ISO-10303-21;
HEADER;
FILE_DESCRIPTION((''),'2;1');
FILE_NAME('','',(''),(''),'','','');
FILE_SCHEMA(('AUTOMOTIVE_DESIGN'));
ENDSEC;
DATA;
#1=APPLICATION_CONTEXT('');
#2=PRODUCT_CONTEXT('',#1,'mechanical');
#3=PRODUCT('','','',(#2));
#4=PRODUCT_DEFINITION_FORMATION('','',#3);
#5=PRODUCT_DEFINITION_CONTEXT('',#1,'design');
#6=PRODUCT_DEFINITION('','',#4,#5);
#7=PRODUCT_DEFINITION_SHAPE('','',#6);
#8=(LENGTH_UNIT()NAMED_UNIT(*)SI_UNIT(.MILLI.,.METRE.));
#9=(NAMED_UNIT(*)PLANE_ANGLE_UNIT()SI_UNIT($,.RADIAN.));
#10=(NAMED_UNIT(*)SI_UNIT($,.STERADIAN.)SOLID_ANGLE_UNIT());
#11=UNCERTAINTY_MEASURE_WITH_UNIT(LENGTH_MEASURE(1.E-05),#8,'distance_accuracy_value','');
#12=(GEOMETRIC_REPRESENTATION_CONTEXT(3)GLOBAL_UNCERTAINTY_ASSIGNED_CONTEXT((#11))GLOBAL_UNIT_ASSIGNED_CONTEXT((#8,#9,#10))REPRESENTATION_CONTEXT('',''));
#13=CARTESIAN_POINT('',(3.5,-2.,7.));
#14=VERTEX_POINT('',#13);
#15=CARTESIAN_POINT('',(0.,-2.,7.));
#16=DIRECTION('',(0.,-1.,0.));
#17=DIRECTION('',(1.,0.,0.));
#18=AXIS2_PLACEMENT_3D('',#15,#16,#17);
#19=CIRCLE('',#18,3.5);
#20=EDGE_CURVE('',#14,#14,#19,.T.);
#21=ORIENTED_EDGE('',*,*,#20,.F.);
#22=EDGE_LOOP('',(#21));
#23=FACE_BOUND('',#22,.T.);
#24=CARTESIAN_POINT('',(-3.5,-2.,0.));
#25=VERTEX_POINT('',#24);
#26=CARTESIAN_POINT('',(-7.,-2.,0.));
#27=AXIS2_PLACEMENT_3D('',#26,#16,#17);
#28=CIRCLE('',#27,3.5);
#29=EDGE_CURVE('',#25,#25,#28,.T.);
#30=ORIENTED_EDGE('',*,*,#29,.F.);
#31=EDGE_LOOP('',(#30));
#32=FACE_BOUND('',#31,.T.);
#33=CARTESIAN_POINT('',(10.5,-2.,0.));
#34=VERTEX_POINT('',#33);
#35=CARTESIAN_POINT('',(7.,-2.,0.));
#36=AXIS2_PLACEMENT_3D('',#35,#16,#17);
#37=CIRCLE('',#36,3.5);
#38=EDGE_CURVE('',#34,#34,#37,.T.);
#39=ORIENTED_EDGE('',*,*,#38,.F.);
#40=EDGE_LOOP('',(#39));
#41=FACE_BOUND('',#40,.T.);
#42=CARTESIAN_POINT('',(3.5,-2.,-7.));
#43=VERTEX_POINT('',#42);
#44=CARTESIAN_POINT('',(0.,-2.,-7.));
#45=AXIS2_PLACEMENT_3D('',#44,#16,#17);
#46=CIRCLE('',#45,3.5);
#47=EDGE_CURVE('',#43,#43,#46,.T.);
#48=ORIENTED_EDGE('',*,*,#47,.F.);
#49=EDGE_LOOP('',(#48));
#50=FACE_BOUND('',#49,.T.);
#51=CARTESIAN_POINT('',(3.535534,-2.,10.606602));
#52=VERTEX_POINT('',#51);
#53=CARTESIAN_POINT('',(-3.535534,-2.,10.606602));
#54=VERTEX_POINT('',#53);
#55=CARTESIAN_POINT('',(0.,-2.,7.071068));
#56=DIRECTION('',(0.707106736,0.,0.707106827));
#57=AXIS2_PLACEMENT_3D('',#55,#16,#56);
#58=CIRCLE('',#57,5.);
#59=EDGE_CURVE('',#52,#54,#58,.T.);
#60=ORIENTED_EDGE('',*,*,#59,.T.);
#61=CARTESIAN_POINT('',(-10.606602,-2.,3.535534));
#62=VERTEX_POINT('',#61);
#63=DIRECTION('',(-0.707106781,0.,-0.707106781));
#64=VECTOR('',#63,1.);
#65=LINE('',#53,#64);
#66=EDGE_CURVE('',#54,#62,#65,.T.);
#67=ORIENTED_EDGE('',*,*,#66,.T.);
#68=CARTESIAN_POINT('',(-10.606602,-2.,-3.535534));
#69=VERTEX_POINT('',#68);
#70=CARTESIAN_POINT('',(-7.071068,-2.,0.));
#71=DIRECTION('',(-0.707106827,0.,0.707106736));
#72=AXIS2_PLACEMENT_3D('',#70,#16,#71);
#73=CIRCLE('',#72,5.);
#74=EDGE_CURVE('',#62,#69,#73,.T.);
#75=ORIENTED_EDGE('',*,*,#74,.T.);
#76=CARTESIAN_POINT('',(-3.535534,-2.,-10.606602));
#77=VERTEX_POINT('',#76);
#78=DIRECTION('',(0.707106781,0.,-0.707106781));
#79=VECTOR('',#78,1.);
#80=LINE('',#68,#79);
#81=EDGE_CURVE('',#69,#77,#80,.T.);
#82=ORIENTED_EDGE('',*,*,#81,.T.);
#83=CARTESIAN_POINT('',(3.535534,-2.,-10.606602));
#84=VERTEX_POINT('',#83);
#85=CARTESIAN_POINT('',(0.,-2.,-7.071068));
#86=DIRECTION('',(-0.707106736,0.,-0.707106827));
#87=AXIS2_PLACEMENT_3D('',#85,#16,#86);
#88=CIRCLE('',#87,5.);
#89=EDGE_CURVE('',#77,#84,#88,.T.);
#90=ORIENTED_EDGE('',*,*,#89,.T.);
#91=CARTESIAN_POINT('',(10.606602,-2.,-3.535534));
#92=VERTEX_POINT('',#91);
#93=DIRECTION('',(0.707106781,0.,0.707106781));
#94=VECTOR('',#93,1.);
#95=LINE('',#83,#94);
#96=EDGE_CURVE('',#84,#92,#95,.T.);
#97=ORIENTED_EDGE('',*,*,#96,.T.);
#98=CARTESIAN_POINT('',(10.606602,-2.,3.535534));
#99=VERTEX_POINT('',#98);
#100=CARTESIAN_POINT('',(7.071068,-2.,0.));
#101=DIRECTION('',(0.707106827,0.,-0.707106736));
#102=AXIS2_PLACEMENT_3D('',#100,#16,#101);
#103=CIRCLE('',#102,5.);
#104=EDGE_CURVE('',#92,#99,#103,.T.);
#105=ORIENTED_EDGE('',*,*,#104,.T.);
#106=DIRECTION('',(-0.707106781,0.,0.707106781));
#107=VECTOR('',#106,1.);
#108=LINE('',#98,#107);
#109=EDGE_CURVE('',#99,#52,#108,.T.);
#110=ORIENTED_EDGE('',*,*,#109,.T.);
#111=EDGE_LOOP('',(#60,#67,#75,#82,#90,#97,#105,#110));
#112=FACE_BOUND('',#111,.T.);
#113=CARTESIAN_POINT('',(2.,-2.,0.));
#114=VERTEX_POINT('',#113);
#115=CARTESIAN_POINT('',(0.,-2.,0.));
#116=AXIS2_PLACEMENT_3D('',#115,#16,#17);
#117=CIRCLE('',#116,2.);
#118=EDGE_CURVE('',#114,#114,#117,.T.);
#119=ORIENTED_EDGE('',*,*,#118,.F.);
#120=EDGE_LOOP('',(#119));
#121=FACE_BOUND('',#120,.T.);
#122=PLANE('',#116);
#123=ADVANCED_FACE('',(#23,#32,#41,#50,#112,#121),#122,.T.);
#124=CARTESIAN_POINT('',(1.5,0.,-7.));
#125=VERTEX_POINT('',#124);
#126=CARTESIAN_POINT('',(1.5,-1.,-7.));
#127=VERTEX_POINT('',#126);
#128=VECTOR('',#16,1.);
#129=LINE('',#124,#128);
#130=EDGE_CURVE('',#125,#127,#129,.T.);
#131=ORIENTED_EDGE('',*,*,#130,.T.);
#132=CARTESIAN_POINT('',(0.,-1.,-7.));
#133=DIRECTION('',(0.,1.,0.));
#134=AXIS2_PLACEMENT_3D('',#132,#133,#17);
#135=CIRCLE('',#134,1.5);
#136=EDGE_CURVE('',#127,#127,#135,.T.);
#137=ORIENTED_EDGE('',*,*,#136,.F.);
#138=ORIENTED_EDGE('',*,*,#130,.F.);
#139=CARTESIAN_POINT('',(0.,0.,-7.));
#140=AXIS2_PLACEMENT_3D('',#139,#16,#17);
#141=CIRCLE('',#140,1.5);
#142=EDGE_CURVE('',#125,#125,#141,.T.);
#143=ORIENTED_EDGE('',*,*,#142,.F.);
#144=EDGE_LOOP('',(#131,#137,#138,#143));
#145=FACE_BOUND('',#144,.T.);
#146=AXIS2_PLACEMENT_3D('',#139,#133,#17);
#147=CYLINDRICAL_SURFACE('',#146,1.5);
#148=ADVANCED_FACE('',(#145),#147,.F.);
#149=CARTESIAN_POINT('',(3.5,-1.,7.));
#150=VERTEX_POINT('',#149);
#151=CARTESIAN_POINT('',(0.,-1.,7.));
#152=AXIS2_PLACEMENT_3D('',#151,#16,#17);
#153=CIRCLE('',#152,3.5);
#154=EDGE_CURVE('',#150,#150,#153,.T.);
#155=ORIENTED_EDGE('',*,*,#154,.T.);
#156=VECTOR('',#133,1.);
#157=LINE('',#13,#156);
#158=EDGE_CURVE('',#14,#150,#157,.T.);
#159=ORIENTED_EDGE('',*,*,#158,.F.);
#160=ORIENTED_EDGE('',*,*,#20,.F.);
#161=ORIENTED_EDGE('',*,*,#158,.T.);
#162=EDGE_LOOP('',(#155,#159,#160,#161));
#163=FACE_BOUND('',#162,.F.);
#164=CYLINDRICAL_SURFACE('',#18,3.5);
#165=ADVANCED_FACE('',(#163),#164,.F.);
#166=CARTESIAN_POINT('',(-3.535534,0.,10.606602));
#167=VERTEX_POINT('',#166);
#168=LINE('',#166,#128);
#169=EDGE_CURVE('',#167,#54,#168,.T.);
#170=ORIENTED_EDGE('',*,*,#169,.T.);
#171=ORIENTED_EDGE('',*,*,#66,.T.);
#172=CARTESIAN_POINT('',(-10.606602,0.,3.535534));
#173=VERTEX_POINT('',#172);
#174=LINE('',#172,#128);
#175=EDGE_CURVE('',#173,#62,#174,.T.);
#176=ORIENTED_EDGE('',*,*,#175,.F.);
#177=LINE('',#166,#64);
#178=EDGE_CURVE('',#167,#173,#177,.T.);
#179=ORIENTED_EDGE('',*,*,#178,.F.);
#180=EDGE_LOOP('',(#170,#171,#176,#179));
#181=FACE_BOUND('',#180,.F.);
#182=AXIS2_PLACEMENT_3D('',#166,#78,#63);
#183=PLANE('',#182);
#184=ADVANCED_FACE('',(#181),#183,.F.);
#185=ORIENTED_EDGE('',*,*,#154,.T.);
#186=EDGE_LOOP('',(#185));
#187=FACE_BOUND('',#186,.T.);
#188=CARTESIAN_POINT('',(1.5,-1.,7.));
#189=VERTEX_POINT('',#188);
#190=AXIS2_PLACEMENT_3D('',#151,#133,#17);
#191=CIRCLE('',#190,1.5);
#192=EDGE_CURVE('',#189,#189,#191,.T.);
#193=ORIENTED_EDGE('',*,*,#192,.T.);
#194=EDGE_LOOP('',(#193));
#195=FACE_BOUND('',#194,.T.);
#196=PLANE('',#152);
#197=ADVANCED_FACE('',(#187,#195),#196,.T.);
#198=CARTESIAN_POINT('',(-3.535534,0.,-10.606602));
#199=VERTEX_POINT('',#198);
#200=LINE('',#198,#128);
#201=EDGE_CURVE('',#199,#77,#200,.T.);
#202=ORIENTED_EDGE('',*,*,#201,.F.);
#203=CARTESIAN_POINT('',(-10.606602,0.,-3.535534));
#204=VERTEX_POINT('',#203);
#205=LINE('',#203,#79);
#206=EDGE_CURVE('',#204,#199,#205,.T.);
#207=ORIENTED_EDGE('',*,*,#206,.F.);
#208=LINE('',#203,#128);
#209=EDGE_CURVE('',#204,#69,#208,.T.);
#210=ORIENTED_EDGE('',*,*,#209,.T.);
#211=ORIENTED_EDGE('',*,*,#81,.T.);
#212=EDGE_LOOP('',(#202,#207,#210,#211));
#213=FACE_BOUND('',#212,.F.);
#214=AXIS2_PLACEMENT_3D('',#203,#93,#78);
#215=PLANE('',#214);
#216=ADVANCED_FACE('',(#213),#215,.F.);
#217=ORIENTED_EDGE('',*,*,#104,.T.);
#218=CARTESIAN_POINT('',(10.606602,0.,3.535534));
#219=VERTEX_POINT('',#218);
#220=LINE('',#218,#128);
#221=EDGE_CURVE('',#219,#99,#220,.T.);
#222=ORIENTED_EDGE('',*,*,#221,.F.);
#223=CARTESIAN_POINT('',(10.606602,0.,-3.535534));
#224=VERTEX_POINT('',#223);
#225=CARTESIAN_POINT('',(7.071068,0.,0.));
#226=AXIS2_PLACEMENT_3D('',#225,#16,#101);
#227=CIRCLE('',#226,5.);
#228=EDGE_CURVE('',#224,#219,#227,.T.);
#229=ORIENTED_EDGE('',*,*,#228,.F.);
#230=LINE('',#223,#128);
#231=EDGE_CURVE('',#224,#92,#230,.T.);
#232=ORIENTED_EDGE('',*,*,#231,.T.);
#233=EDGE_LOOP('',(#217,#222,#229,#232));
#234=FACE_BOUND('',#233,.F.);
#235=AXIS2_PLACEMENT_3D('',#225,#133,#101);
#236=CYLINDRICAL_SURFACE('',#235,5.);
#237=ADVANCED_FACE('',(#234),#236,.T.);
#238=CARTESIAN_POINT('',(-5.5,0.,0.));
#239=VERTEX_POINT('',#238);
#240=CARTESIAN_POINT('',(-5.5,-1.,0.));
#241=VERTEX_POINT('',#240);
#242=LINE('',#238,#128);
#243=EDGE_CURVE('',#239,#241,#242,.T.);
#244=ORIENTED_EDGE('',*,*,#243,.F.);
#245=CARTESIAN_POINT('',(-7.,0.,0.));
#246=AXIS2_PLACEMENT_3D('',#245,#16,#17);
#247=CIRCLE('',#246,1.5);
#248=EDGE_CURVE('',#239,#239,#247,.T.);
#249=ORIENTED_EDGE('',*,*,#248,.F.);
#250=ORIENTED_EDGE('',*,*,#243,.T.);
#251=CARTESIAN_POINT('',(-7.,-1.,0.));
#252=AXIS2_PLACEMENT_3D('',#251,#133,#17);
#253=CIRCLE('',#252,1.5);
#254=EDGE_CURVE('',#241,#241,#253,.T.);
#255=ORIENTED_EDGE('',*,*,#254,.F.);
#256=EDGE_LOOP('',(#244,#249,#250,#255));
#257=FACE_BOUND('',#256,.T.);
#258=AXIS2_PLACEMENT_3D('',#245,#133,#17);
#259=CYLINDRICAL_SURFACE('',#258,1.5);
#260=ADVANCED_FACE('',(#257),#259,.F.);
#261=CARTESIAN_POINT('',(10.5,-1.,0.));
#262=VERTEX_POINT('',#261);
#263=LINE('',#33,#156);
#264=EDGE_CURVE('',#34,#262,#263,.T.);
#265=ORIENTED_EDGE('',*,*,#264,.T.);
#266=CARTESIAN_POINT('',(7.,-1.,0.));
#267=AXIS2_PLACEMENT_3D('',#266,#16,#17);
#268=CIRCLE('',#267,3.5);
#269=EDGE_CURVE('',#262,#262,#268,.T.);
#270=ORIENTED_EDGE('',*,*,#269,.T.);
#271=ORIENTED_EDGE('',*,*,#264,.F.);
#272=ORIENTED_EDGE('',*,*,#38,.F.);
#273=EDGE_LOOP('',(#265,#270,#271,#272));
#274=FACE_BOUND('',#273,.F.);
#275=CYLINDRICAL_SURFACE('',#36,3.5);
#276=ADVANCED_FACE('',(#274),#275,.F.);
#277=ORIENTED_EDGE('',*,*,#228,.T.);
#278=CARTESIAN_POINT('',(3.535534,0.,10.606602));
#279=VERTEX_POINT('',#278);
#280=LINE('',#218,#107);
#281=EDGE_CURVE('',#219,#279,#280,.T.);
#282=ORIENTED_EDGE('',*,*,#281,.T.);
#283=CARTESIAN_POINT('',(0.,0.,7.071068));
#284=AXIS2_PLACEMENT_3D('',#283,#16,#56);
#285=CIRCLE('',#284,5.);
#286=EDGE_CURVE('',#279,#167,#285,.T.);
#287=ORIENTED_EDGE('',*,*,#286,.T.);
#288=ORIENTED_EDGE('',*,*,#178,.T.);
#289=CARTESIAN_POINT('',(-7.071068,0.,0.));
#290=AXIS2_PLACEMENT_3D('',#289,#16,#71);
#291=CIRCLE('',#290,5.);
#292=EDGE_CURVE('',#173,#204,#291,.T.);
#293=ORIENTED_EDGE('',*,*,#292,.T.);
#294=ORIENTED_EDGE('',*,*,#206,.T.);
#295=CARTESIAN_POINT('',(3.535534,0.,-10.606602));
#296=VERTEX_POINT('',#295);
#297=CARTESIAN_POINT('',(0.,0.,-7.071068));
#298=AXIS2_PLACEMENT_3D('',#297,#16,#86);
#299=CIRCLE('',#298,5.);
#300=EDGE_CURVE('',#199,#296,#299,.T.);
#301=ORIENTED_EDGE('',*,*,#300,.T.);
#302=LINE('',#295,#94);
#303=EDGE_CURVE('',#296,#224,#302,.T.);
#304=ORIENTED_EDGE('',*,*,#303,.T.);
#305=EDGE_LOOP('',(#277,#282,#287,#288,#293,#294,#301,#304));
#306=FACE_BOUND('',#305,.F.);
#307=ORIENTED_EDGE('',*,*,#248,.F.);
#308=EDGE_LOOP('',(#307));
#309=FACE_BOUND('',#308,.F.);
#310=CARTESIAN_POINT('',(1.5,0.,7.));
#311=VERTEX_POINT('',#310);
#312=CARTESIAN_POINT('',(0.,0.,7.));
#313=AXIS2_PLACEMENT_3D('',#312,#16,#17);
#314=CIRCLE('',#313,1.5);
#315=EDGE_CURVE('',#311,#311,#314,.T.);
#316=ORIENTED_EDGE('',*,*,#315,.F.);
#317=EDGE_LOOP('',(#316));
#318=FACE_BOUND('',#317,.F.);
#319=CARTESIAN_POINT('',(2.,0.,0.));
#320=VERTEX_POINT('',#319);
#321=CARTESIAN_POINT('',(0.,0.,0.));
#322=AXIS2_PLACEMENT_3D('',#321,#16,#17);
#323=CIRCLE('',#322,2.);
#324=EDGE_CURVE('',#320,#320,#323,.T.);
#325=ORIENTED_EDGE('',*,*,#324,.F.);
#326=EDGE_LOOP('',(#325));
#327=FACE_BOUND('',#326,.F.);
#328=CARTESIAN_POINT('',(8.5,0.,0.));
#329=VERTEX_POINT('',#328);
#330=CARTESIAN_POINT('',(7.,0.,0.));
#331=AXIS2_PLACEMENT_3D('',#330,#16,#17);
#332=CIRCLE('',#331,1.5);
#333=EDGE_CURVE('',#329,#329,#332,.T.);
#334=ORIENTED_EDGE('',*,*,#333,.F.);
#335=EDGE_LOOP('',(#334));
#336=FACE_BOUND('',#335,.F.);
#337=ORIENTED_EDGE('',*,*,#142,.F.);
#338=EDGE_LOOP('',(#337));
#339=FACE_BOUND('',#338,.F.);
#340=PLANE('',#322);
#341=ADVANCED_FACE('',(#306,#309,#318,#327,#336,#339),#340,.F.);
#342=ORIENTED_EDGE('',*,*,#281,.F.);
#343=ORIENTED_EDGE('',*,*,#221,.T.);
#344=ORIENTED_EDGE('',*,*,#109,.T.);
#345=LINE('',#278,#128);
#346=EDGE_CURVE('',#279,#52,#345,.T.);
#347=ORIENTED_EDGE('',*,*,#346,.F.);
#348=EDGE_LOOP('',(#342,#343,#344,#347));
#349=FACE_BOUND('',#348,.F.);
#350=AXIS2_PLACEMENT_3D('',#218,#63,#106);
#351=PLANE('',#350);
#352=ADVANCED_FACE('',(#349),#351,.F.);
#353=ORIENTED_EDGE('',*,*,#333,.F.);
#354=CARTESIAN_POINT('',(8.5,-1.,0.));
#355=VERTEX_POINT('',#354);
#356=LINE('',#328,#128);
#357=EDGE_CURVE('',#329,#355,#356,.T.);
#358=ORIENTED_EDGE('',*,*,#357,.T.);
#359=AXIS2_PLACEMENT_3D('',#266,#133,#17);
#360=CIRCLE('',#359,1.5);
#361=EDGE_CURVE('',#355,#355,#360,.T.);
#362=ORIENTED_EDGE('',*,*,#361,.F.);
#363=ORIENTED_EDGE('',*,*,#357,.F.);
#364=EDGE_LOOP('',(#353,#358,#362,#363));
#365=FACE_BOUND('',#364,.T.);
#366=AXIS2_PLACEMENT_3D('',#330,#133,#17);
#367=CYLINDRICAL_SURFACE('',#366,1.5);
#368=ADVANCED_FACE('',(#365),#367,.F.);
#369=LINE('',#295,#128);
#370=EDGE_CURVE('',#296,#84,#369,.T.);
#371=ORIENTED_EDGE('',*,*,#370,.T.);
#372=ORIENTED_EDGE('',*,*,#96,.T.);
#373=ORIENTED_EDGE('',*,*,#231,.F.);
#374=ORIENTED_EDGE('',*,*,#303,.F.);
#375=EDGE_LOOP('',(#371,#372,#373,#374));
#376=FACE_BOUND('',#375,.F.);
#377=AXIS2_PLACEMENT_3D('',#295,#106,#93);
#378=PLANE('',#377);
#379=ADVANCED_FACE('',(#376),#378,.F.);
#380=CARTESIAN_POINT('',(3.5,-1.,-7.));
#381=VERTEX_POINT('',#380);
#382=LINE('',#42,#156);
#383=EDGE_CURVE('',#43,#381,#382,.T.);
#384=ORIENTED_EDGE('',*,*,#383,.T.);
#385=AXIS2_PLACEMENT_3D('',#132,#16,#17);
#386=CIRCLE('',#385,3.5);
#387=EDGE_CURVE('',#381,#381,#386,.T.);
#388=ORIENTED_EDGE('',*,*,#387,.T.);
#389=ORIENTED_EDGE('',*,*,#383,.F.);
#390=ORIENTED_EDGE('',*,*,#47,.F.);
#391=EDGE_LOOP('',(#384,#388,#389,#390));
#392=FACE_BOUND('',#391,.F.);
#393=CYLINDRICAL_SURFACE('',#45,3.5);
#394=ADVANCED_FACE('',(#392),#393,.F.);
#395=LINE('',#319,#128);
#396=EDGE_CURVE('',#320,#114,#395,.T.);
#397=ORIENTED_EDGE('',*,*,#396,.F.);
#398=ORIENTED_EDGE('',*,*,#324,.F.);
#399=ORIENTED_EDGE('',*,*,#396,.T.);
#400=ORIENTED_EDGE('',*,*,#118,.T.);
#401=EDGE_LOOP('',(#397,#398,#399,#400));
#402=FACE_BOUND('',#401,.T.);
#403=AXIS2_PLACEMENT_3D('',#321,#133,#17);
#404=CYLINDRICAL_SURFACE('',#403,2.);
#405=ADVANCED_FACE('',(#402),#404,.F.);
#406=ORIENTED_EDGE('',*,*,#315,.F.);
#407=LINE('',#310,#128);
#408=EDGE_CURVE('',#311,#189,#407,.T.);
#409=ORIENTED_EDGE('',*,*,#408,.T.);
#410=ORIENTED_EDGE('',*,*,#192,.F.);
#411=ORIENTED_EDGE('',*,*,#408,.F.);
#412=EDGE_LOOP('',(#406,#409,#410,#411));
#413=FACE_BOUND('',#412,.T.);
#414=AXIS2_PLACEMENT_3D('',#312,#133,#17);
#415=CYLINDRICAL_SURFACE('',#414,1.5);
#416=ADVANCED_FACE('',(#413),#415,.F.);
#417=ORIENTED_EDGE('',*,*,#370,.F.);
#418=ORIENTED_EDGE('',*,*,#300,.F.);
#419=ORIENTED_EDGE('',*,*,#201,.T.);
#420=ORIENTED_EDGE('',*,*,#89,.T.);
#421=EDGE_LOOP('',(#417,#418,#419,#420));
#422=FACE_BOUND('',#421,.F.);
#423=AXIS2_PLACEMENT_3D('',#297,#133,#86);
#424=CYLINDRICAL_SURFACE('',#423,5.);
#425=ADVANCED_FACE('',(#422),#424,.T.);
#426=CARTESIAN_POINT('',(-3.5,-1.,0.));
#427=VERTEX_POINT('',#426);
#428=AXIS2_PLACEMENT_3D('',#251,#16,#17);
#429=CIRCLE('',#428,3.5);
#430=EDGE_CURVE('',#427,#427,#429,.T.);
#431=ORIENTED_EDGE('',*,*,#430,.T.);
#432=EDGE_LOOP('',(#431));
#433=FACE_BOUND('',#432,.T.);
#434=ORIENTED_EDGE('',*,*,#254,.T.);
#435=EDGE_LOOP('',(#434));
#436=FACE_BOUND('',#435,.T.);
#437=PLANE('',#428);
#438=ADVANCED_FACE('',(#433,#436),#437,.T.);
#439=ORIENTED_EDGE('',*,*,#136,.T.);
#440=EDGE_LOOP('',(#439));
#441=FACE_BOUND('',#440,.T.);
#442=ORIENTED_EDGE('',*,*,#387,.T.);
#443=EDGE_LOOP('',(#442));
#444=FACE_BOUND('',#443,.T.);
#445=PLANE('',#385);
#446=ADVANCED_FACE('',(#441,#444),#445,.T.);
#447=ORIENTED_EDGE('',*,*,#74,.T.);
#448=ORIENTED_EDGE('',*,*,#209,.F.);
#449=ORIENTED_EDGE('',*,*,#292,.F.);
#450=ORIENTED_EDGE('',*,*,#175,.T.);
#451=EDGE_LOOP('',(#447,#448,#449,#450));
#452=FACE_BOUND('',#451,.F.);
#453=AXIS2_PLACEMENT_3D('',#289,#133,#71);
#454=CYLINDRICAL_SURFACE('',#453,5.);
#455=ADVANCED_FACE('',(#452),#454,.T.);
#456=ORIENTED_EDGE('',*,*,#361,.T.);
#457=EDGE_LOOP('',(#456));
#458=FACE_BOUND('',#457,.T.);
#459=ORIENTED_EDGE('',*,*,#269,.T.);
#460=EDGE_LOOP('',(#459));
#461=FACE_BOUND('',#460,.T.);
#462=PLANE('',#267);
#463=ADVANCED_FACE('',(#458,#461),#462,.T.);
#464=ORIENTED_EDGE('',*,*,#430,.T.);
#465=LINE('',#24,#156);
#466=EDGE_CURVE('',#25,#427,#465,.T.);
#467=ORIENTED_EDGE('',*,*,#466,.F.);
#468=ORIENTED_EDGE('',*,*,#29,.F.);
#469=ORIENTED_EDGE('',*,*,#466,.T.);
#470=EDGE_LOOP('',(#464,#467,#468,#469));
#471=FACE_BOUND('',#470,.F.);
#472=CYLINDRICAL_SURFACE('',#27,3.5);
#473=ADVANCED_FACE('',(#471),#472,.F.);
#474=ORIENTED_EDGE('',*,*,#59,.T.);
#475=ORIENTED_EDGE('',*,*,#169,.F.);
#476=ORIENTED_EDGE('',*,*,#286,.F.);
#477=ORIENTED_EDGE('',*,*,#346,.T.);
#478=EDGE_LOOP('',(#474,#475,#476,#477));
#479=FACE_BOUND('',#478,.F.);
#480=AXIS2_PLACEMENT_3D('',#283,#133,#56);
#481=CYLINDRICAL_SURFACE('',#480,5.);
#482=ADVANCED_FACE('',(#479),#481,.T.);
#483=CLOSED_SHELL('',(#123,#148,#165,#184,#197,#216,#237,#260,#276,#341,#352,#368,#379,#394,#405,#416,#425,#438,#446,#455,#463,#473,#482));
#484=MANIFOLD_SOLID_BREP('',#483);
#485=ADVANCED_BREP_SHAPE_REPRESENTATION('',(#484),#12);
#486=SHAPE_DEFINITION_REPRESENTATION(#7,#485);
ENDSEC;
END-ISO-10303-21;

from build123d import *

# Parameters (mm, degrees)
F0_R     = 1.5
F0_R_2   = 2
F1_DEPTH = 2
F2_R     = 3.5
F3_DEPTH = 1


with BuildPart() as f1:
    # F0 (on Front) → F1 (new body)
    with BuildSketch(Plane.XZ):
        with BuildLine():
            Line((-10.606602, -3.535534), (-3.535534, -10.606602))
            ThreePointArc((-3.535534, -10.606602), (0, -12.071068), (3.535534, -10.606602))
            Line((3.535534, -10.606602), (10.606602, -3.535534))
            ThreePointArc((10.606602, -3.535534), (12.071068, 0), (10.606602, 3.535534))
            Line((10.606602, 3.535534), (3.535534, 10.606602))
            ThreePointArc((3.535534, 10.606602), (0, 12.071068), (-3.535534, 10.606602))
            Line((-3.535534, 10.606602), (-10.606602, 3.535534))
            ThreePointArc((-10.606602, 3.535534), (-12.071068, 0), (-10.606602, -3.535534))
        make_face()
        with Locations((-7, 0)):
            Circle(F0_R, mode=Mode.SUBTRACT)
        with Locations((0, -7)):
            Circle(F0_R, mode=Mode.SUBTRACT)
        Circle(F0_R_2, mode=Mode.SUBTRACT)
        with Locations((7, 0)):
            Circle(F0_R, mode=Mode.SUBTRACT)
        with Locations((0, 7)):
            Circle(F0_R, mode=Mode.SUBTRACT)
    extrude(amount=F1_DEPTH)

    # F2 (on face) → F3 (cut)
    with BuildSketch(Plane.XZ.offset(2)):
        with Locations((-7, 0)):
            Circle(F2_R)
        with Locations((0, -7)):
            Circle(F2_R)
        with Locations((7, 0)):
            Circle(F2_R)
        with Locations((0, 7)):
            Circle(F2_R)
    extrude(amount=-F3_DEPTH, mode=Mode.SUBTRACT)


solid = f1.part
